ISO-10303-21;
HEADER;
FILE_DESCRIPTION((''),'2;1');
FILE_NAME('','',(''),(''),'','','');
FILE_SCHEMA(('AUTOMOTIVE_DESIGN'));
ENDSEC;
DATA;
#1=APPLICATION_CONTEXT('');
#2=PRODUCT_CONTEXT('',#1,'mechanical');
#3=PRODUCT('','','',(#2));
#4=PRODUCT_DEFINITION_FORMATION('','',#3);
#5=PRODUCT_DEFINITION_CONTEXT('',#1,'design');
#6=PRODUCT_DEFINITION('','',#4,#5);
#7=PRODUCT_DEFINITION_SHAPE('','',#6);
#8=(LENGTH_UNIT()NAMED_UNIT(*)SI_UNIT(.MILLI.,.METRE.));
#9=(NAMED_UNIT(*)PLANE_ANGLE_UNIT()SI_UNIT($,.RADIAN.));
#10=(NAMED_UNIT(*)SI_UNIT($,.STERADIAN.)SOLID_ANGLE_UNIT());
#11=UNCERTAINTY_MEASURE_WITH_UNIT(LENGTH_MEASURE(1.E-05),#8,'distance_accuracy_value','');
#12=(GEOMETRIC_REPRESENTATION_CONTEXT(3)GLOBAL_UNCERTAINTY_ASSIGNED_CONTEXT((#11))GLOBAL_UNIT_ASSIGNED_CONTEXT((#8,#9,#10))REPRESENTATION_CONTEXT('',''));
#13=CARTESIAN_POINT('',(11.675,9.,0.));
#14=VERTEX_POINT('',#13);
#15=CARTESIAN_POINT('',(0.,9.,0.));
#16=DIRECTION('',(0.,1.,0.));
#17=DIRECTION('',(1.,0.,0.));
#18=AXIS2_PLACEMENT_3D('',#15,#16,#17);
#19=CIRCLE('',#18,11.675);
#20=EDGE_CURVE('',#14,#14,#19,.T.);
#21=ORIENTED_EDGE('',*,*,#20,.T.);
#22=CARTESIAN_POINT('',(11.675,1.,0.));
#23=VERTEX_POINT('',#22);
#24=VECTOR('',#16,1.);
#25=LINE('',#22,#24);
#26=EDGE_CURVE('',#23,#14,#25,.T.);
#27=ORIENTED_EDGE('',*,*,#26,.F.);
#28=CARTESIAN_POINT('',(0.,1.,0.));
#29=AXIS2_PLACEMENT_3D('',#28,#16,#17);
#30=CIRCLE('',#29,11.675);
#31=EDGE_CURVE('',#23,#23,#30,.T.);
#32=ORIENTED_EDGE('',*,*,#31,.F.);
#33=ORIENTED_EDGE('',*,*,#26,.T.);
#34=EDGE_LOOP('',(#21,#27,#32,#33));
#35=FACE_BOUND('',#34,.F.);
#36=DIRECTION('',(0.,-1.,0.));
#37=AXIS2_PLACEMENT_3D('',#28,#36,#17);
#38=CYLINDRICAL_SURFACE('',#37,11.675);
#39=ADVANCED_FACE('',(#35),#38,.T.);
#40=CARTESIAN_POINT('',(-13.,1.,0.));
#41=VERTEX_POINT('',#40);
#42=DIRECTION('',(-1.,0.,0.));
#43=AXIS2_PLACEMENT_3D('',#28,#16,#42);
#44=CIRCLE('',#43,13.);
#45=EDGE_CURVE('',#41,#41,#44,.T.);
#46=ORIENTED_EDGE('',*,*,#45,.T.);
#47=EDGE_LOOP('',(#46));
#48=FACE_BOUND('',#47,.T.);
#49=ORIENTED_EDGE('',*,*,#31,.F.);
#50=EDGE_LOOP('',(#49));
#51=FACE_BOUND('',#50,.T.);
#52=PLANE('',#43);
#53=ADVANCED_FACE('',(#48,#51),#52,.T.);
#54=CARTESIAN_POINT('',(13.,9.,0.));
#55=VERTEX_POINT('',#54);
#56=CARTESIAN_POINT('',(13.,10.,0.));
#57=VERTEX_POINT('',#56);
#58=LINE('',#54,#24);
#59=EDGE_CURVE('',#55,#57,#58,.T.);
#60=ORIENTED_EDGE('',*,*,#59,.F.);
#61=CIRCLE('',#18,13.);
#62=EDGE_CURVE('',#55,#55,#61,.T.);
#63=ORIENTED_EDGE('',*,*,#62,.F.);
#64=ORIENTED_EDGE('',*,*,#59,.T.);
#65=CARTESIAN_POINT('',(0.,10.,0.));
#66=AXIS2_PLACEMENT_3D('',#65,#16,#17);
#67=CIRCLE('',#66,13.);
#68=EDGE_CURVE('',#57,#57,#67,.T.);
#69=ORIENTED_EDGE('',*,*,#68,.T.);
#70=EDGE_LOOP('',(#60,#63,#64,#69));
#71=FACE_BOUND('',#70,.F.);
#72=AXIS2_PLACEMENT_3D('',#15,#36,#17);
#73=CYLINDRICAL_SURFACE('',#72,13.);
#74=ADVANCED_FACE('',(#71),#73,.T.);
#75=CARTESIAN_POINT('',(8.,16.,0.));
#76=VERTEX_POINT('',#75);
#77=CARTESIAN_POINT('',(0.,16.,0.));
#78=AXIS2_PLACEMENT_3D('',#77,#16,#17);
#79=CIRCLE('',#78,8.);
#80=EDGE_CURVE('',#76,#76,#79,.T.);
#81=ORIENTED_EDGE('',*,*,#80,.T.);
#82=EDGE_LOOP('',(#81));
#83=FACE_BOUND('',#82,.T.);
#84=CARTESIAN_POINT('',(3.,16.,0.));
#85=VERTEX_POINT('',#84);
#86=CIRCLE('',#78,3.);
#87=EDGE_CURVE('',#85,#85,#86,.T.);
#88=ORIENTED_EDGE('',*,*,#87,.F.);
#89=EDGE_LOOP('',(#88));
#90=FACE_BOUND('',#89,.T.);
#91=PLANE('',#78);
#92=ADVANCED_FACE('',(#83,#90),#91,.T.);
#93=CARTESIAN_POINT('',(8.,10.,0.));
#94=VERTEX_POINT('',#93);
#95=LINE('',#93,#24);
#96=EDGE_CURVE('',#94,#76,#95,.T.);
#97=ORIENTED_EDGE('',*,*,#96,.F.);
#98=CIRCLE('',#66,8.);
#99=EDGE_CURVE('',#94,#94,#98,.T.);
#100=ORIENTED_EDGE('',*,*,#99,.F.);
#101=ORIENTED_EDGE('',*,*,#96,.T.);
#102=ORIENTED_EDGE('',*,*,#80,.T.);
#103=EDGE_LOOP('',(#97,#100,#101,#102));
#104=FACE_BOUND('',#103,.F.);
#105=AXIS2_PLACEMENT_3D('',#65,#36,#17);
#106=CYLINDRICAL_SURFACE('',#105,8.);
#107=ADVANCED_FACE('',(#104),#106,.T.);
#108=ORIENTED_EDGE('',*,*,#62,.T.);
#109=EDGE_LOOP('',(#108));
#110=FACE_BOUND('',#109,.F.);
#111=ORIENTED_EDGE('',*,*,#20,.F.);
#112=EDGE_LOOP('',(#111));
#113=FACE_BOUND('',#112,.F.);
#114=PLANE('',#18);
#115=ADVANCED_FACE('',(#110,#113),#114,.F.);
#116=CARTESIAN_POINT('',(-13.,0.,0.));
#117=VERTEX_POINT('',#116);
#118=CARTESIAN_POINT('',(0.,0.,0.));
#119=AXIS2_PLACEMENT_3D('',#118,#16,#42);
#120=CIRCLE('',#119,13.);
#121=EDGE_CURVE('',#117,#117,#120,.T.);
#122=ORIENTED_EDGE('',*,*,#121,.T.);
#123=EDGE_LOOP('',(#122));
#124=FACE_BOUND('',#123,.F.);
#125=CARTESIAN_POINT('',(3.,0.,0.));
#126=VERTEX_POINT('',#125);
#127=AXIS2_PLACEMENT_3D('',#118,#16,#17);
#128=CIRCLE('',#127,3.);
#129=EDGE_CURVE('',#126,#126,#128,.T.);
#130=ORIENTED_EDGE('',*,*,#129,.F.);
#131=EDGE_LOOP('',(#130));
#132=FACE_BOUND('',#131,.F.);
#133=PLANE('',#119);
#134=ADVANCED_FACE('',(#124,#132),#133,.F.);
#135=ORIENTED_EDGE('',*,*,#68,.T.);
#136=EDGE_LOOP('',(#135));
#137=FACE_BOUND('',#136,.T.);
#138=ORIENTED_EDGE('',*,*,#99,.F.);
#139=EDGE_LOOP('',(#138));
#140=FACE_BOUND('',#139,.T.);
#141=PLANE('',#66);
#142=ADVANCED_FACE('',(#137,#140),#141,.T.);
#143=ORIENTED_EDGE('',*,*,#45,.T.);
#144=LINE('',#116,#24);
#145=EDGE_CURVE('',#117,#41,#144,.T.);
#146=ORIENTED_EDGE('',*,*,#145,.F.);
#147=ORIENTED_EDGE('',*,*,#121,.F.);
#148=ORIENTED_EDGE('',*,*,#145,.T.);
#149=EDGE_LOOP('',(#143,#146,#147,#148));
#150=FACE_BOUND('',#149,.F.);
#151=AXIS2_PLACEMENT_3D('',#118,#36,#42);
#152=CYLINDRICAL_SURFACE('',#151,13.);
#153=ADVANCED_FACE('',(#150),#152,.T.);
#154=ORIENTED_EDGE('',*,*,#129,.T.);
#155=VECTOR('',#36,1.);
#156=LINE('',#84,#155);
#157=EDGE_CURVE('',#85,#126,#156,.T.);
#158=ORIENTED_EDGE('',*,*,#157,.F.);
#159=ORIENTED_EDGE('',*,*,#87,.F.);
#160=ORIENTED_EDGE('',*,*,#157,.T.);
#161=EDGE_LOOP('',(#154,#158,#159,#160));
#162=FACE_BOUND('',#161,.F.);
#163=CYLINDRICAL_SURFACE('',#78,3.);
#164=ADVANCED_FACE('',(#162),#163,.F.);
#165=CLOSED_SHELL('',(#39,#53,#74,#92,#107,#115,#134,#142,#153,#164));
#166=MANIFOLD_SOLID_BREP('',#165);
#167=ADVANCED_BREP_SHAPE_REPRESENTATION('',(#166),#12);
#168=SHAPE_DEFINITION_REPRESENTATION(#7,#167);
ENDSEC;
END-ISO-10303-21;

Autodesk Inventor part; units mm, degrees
ref_plane "YZ Plane" through (0, 0, 0) normal (1, 0, 0) x (0, 1, 0)
ref_plane "XZ Plane" through (0, 0, 0) normal (0, 1, 0) x (-1, 0, 0)
ref_plane "XY Plane" through (0, 0, 0) normal (0, 0, 1) x (1, 0, 0)
sketch "Esquisse1" plane through (0, 0, 0) normal (0, 1, 0) x (-1, 0, 0)
  circle A0 centre (0, 0) radius 13
  dimension "d0" = 26
extrude "Extrusion1" add sketch "Esquisse1" along normal blind 1
sketch "Esquisse2" plane through (0, 1, 0) normal (0, 1, 0) x (1, 0, 0)
  circle A0 centre (0, 0) radius 13 projected
  circle A1 centre (0, 0) radius 11.675
  dimension "d3" = 23.35
extrude "Extrusion2" add sketch "Esquisse2" along normal blind 8 contours A1
sketch "Esquisse3" plane through (0, 9, 0) normal (0, 1, 0) x (1, 0, 0)
  circle A0 centre (0, 0) radius 11.675 projected
  circle A1 centre (0, 0) radius 13
  dimension "d6" = 26
extrude "Extrusion3" add sketch "Esquisse3" along normal blind 1 contours A0 | A1
sketch "Esquisse4" plane through (0, 10, 0) normal (0, 1, 0) x (1, 0, 0)
  circle A0 centre (0, 0) radius 13 projected
  circle A1 centre (0, 0) radius 8
  dimension "d9" = 16
extrude "Extrusion4" add sketch "Esquisse4" along normal blind 6 contours A1
sketch "Esquisse5" plane through (0, 16, 0) normal (0, 1, 0) x (1, 0, 0)
  circle A0 centre (0, 0) radius 8 projected
  circle A1 centre (0, 0) radius 3
  dimension "d12" = 6
extrude "Extrusion5" cut sketch "Esquisse5" against normal through all contours A1
properties part number "poulie_conrad_209515"
